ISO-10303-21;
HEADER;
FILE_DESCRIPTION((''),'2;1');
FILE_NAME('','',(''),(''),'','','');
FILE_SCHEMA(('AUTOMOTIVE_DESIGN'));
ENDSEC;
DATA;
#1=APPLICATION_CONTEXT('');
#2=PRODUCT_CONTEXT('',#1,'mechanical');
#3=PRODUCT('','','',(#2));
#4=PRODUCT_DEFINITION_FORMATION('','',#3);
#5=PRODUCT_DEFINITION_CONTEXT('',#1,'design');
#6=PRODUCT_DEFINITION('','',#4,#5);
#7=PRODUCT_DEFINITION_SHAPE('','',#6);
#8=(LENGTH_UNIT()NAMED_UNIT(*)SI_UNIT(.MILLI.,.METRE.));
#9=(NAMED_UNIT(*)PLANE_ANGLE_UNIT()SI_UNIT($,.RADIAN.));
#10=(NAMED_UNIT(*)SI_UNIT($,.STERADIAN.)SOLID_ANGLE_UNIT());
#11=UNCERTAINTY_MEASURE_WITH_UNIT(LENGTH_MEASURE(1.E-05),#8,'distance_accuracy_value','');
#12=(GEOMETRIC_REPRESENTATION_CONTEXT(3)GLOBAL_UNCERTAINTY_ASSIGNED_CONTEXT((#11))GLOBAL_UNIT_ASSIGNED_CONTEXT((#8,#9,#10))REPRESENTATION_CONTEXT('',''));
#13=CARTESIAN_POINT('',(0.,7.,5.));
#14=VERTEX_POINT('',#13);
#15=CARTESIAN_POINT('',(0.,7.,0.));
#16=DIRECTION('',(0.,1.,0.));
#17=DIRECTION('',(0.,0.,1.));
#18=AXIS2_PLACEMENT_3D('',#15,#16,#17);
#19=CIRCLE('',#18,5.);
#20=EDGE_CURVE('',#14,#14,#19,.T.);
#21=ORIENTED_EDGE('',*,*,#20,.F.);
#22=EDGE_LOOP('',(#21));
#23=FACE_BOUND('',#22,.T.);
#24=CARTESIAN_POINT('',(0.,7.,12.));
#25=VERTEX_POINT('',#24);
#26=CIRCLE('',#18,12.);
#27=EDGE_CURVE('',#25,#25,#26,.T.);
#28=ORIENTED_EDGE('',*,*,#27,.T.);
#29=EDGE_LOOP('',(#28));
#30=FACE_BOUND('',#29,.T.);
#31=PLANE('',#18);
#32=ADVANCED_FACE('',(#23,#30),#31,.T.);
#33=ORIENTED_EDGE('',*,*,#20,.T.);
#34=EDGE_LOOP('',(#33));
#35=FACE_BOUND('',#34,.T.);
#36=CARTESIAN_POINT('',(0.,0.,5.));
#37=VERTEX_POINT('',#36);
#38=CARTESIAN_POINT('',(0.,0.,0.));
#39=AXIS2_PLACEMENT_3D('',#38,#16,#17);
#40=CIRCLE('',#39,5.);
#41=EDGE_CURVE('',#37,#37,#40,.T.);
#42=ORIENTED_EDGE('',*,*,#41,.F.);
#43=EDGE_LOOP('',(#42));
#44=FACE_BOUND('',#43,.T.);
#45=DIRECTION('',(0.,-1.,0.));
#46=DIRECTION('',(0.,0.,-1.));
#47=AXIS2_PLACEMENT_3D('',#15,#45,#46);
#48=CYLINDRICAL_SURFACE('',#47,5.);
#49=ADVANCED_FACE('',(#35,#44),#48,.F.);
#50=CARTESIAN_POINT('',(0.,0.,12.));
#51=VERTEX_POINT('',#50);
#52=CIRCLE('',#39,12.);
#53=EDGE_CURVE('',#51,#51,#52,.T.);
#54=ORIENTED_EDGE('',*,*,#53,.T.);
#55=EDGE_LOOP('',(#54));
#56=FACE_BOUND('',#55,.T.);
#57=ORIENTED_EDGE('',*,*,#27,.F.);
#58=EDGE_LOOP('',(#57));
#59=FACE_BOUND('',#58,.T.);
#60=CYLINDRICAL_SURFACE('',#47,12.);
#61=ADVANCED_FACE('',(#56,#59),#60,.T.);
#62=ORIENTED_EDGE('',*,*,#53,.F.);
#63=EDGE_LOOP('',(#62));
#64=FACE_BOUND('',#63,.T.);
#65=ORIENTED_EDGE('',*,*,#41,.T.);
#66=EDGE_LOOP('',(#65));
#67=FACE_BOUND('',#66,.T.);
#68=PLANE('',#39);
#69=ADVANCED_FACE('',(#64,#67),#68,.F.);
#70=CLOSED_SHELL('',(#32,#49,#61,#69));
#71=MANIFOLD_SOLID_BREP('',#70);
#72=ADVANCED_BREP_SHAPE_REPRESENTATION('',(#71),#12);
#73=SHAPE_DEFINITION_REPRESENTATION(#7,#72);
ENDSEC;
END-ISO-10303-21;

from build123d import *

# Parameters (mm, degrees)
SKETCH_1_R      = 12
SKETCH_1_R_2    = 5
EXTRUDE_1_DEPTH = 7


with BuildPart() as part:
    # 草图1 → 凸台-拉伸1 (new body)
    with BuildSketch(Plane(origin=(0, 0, 0), x_dir=(1, 0, 0), z_dir=(0, 1, 0))):
        with Locations(Location((0, 0, 0), (0, 0, 270))):
            Circle(SKETCH_1_R)
        with Locations(Location((0, 0, 0), (0, 0, 270))):
            Circle(SKETCH_1_R_2, mode=Mode.SUBTRACT)
    extrude(amount=EXTRUDE_1_DEPTH)


solid = part.part
